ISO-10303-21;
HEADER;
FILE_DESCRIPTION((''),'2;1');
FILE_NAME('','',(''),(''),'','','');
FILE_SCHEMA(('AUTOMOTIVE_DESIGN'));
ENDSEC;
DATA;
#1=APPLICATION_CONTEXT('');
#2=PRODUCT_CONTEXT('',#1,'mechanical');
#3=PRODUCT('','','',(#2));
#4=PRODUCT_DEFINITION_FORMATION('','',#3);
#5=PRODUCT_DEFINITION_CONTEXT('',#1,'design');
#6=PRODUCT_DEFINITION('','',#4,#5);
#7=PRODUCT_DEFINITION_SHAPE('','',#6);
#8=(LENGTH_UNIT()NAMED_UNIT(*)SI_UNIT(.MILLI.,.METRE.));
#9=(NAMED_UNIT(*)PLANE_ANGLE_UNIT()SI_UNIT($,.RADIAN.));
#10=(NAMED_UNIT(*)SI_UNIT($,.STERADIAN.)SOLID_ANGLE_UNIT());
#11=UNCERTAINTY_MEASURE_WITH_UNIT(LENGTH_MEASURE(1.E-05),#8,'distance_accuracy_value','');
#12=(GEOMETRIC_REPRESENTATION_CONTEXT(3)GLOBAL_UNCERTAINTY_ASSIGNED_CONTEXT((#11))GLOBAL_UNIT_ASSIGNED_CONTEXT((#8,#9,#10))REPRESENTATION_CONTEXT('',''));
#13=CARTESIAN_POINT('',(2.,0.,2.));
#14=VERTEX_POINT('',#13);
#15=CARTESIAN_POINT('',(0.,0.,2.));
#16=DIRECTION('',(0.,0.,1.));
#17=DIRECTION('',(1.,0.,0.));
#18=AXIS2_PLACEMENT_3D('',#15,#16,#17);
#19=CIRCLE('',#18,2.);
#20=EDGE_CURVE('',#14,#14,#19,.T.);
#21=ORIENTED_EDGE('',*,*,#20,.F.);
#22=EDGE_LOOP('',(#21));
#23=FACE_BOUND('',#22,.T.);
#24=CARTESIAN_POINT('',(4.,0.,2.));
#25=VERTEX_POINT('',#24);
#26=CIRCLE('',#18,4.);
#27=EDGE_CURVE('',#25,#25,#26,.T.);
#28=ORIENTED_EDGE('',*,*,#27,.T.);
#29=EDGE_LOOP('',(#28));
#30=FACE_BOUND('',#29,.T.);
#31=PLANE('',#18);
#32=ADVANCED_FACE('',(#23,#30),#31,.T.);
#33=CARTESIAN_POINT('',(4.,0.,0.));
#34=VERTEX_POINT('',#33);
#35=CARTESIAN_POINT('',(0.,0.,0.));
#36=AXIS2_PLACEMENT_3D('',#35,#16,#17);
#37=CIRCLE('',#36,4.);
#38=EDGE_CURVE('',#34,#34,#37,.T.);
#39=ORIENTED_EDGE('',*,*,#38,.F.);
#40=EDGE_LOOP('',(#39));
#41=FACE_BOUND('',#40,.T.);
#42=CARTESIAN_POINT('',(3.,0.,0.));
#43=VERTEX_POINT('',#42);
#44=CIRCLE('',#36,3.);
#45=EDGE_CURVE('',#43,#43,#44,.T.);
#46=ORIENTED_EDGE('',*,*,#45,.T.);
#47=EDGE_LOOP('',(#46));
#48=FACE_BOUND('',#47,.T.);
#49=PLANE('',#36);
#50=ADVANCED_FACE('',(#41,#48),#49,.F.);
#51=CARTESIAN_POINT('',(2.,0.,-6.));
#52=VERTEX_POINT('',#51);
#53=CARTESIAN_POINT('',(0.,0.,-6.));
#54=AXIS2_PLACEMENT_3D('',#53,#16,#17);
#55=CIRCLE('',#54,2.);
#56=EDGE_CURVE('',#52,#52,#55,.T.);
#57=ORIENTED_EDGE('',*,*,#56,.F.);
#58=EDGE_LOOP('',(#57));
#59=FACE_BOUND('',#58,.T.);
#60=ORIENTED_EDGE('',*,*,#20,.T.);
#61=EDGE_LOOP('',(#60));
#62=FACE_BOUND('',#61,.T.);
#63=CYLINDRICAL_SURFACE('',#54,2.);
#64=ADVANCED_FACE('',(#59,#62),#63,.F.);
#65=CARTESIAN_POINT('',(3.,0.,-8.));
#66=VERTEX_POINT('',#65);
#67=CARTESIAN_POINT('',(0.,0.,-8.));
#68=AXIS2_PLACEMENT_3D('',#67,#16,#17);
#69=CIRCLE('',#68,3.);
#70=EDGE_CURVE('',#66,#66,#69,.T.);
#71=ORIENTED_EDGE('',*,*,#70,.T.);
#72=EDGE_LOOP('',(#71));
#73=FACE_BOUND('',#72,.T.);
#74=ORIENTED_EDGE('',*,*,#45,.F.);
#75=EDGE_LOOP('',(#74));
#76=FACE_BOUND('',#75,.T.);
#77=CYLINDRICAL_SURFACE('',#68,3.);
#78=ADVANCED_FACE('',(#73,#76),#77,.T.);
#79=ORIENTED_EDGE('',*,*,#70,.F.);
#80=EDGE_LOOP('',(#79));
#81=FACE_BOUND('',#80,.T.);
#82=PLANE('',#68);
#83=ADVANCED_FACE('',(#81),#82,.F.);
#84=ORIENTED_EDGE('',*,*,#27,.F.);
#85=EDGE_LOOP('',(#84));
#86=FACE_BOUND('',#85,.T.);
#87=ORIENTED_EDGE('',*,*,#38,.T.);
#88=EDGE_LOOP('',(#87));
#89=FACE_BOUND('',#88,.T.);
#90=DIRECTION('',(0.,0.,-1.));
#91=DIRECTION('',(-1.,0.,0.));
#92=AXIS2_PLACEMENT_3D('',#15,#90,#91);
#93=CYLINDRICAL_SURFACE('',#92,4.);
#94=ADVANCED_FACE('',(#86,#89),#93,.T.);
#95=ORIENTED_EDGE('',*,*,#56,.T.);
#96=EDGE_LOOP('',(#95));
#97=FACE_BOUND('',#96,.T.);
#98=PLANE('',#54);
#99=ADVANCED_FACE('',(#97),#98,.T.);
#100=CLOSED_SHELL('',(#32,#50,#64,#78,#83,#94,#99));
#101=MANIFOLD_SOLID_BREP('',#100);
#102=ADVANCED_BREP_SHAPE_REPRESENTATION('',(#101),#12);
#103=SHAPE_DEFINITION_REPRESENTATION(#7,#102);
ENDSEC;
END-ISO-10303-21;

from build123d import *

# Parameters (mm, degrees)
SKETCH1_R           = 4
BOSS_EXTRUDE1_DEPTH = 2
SKETCH2_R           = 3
BOSS_EXTRUDE2_DEPTH = 8
SKETCH3_R           = 2
CUT_EXTRUDE1_DEPTH  = 8


with BuildPart() as part:
    # Sketch1 → Boss-Extrude1 (new body)
    with BuildSketch(Plane.XY):
        Circle(SKETCH1_R)
    extrude(amount=BOSS_EXTRUDE1_DEPTH)

    # Sketch2 → Boss-Extrude2 (add)
    with BuildSketch(Plane.XY):
        Circle(SKETCH2_R)
    extrude(amount=-BOSS_EXTRUDE2_DEPTH)

    # Sketch3 → Cut-Extrude1 (cut)
    with BuildSketch(Plane.XY.offset(2)):
        Circle(SKETCH3_R)
    extrude(amount=-CUT_EXTRUDE1_DEPTH, mode=Mode.SUBTRACT)


solid = part.part
